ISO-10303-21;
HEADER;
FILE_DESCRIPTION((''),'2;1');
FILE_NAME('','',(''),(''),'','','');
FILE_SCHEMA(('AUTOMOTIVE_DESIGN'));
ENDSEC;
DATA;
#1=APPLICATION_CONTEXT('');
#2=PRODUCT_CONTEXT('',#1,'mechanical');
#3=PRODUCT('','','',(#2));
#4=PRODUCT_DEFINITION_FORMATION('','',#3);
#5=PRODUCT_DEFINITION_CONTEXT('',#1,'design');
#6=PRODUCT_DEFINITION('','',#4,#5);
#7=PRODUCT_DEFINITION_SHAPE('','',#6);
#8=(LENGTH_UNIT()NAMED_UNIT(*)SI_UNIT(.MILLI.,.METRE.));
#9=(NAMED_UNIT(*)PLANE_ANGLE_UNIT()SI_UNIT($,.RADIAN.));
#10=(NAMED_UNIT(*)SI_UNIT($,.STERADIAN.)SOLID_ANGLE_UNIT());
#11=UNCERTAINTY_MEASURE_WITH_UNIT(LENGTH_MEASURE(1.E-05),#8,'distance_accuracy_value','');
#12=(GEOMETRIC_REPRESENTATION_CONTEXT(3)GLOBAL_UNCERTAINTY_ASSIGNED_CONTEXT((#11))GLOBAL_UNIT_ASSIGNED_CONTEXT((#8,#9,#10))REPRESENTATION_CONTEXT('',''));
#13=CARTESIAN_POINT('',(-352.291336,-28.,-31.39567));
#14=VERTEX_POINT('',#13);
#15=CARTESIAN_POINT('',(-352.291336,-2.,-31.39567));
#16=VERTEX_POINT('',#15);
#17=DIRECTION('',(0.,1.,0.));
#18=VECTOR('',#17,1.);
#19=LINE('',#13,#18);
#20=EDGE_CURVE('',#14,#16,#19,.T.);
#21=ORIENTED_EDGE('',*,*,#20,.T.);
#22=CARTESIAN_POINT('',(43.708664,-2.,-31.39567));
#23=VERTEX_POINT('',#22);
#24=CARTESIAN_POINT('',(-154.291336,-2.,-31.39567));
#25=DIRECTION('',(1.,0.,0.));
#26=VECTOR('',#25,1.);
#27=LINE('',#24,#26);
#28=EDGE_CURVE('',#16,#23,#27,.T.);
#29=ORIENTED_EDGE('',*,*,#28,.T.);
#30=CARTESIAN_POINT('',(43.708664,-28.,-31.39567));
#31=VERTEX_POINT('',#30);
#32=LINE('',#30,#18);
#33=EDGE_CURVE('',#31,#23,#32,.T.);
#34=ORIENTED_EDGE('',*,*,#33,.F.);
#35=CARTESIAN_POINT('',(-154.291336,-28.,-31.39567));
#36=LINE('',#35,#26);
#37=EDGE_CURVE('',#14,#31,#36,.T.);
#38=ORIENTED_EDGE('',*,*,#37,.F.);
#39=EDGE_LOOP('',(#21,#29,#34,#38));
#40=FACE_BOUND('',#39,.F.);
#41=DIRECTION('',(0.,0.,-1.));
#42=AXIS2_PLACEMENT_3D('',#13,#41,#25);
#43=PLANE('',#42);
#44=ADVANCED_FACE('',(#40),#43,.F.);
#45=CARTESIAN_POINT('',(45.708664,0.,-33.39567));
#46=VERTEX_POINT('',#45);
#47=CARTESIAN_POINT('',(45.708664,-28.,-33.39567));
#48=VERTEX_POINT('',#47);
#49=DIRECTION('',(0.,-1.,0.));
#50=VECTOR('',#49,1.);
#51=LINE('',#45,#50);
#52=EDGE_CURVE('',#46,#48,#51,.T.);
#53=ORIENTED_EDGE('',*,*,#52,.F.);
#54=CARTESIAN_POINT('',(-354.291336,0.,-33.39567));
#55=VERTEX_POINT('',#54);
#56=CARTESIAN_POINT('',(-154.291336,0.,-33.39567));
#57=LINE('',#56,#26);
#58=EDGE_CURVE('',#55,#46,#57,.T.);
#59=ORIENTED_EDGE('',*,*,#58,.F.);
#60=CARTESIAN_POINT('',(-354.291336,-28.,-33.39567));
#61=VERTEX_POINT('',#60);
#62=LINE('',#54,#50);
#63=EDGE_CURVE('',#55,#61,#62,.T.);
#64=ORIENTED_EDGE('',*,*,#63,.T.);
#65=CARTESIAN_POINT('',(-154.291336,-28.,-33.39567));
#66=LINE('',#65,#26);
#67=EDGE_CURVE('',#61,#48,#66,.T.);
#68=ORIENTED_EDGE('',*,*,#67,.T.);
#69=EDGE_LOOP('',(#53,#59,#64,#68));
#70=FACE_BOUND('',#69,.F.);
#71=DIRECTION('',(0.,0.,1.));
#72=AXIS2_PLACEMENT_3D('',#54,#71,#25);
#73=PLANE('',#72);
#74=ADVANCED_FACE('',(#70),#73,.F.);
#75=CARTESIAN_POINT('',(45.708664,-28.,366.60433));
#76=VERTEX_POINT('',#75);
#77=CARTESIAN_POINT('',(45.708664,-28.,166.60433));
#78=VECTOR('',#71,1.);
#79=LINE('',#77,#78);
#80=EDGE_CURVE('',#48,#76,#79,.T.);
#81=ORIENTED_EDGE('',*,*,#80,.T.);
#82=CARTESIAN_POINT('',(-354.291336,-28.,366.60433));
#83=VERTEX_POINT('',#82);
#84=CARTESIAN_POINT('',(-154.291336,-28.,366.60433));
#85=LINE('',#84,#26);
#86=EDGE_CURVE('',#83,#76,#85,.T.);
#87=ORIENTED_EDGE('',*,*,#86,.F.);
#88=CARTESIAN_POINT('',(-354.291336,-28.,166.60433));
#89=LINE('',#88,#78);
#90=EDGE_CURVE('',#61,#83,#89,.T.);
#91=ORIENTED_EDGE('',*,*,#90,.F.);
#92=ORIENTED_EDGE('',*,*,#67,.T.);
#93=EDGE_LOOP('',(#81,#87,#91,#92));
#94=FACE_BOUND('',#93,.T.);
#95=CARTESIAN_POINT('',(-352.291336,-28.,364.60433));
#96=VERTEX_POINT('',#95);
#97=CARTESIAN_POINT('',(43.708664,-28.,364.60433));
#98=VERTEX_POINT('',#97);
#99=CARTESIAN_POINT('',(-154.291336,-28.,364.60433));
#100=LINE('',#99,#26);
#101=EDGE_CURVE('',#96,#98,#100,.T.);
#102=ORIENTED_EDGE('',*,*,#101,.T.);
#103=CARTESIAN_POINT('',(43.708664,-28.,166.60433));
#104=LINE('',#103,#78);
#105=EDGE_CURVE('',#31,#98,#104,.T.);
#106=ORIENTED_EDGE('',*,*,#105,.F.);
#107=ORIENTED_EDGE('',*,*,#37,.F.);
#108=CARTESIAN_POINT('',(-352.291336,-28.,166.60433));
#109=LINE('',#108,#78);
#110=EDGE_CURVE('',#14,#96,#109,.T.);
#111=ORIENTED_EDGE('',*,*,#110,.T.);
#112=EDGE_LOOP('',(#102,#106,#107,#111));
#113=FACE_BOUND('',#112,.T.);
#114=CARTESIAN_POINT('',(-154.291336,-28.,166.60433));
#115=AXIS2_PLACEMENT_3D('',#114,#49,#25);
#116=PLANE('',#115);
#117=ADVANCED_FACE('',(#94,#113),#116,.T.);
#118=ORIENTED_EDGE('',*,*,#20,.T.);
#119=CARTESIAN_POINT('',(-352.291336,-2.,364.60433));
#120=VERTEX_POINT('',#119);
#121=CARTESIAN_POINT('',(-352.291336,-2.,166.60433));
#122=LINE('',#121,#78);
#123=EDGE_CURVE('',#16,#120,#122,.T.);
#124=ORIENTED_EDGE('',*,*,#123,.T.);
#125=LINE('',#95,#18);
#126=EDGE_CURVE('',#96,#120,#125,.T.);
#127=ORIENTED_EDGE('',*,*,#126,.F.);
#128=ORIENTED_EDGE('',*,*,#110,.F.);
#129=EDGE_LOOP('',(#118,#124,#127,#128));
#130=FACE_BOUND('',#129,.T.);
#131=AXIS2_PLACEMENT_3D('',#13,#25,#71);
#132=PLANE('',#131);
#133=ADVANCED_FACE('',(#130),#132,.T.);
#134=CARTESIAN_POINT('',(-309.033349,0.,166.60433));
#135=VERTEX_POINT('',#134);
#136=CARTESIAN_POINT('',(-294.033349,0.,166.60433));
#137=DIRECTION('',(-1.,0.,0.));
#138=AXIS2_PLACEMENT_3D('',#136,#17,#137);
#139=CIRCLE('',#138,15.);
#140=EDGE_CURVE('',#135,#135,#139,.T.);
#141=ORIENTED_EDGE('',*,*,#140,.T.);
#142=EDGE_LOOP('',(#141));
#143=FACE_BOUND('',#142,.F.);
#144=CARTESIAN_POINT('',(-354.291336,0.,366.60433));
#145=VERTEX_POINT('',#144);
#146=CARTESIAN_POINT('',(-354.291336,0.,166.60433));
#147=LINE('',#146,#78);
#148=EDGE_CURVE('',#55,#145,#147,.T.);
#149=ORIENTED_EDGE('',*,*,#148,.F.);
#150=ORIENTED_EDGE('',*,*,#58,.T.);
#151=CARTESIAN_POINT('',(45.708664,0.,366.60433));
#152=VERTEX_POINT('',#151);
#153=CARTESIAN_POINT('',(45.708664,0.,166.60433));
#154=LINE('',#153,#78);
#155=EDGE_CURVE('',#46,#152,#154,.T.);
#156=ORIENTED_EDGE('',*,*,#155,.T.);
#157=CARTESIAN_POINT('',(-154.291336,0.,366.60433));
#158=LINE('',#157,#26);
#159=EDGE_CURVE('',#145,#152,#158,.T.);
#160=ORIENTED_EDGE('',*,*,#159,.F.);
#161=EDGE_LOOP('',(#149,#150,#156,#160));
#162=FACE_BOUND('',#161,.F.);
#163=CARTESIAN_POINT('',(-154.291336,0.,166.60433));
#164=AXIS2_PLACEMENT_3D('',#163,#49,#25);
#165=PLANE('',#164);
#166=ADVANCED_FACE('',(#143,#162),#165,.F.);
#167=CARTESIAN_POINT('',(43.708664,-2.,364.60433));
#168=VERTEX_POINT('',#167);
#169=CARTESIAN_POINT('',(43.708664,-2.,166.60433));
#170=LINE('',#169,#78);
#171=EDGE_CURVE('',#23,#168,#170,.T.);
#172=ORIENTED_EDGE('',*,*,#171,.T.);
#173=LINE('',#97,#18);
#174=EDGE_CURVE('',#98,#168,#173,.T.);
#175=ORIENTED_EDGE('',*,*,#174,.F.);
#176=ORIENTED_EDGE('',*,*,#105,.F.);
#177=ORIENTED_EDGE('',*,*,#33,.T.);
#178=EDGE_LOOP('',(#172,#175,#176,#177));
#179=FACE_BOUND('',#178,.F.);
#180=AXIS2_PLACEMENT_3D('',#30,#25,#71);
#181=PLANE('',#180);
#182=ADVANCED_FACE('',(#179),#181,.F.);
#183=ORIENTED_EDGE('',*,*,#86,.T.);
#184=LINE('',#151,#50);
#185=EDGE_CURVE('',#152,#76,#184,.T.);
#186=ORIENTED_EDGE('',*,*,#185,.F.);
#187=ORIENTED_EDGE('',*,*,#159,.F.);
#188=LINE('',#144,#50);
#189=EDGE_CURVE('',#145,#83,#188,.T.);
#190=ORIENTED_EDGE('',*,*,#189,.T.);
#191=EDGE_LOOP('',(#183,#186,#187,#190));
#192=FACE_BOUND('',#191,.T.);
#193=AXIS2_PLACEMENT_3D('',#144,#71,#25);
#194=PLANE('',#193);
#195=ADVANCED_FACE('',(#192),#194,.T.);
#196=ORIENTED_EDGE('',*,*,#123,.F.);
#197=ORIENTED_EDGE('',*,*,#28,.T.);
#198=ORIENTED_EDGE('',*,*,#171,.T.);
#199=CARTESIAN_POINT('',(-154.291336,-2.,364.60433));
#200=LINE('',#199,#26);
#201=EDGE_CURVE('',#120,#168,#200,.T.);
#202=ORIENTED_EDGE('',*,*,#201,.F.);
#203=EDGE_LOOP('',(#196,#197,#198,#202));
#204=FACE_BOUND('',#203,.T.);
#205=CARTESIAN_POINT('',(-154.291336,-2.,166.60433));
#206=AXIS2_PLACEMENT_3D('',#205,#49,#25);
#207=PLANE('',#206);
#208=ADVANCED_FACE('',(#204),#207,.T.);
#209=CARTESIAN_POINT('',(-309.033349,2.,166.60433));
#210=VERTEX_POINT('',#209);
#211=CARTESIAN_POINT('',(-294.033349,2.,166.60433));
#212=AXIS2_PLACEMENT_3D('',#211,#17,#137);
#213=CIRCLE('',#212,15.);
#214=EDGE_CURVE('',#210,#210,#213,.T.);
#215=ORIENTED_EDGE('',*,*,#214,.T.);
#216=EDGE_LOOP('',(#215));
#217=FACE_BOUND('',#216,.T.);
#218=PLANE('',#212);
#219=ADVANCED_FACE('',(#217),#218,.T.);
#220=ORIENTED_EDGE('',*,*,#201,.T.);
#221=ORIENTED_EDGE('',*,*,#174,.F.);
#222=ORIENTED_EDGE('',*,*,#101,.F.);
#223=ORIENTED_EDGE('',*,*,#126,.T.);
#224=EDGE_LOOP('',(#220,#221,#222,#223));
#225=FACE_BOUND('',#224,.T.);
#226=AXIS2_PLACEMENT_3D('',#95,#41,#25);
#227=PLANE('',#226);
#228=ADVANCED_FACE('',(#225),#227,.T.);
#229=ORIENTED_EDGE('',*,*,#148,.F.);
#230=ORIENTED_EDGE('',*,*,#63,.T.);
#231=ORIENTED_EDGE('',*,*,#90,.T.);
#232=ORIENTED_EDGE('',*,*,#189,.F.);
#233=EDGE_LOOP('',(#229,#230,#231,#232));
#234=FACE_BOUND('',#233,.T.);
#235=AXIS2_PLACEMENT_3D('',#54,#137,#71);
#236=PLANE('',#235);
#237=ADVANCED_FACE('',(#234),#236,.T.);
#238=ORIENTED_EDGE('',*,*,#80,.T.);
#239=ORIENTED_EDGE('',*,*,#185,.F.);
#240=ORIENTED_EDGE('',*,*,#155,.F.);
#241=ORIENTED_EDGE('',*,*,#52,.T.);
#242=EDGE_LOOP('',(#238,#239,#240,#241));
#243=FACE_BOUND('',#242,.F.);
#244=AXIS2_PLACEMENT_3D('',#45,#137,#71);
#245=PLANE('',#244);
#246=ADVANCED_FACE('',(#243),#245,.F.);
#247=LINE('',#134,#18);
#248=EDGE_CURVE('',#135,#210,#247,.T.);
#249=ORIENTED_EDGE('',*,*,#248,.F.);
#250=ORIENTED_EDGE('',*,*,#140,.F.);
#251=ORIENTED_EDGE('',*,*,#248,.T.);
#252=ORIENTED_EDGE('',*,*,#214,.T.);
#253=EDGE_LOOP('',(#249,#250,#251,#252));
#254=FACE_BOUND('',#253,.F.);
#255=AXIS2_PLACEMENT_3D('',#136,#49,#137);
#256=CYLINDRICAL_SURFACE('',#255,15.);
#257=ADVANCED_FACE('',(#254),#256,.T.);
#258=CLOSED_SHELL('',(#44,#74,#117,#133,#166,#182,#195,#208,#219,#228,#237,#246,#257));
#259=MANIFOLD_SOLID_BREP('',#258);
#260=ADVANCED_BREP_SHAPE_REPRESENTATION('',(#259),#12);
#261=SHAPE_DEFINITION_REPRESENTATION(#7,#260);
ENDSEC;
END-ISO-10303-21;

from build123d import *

# Parameters (mm, degrees)
F0_W     = 400
F0_H     = 400
F1_DEPTH = 28
F2_W     = 396
F2_H     = 396
F3_DEPTH = 26
F4_R     = 15
F5_DEPTH = 2


with BuildPart() as f1:
    # F0 (on Front) → F1 (new body)
    with BuildSketch(Plane.XZ):
        with Locations((-154.291336, 166.60433)):
            Rectangle(F0_W, F0_H)
    extrude(amount=F1_DEPTH)

    # F2 (on face) → F3 (cut)
    with BuildSketch(Plane.XZ.offset(28)):
        with Locations((-154.291336, 166.60433)):
            Rectangle(F2_W, F2_H)
    extrude(amount=-F3_DEPTH, mode=Mode.SUBTRACT)

    # F4 (on face) → F5 (join)
    with BuildSketch(Plane(origin=(0, 0, 0), x_dir=(-1, 0, 0), z_dir=(0, 1, 0))):
        with Locations((294.033349, 166.60433)):
            Circle(F4_R)
    extrude(amount=F5_DEPTH)


solid = f1.part
